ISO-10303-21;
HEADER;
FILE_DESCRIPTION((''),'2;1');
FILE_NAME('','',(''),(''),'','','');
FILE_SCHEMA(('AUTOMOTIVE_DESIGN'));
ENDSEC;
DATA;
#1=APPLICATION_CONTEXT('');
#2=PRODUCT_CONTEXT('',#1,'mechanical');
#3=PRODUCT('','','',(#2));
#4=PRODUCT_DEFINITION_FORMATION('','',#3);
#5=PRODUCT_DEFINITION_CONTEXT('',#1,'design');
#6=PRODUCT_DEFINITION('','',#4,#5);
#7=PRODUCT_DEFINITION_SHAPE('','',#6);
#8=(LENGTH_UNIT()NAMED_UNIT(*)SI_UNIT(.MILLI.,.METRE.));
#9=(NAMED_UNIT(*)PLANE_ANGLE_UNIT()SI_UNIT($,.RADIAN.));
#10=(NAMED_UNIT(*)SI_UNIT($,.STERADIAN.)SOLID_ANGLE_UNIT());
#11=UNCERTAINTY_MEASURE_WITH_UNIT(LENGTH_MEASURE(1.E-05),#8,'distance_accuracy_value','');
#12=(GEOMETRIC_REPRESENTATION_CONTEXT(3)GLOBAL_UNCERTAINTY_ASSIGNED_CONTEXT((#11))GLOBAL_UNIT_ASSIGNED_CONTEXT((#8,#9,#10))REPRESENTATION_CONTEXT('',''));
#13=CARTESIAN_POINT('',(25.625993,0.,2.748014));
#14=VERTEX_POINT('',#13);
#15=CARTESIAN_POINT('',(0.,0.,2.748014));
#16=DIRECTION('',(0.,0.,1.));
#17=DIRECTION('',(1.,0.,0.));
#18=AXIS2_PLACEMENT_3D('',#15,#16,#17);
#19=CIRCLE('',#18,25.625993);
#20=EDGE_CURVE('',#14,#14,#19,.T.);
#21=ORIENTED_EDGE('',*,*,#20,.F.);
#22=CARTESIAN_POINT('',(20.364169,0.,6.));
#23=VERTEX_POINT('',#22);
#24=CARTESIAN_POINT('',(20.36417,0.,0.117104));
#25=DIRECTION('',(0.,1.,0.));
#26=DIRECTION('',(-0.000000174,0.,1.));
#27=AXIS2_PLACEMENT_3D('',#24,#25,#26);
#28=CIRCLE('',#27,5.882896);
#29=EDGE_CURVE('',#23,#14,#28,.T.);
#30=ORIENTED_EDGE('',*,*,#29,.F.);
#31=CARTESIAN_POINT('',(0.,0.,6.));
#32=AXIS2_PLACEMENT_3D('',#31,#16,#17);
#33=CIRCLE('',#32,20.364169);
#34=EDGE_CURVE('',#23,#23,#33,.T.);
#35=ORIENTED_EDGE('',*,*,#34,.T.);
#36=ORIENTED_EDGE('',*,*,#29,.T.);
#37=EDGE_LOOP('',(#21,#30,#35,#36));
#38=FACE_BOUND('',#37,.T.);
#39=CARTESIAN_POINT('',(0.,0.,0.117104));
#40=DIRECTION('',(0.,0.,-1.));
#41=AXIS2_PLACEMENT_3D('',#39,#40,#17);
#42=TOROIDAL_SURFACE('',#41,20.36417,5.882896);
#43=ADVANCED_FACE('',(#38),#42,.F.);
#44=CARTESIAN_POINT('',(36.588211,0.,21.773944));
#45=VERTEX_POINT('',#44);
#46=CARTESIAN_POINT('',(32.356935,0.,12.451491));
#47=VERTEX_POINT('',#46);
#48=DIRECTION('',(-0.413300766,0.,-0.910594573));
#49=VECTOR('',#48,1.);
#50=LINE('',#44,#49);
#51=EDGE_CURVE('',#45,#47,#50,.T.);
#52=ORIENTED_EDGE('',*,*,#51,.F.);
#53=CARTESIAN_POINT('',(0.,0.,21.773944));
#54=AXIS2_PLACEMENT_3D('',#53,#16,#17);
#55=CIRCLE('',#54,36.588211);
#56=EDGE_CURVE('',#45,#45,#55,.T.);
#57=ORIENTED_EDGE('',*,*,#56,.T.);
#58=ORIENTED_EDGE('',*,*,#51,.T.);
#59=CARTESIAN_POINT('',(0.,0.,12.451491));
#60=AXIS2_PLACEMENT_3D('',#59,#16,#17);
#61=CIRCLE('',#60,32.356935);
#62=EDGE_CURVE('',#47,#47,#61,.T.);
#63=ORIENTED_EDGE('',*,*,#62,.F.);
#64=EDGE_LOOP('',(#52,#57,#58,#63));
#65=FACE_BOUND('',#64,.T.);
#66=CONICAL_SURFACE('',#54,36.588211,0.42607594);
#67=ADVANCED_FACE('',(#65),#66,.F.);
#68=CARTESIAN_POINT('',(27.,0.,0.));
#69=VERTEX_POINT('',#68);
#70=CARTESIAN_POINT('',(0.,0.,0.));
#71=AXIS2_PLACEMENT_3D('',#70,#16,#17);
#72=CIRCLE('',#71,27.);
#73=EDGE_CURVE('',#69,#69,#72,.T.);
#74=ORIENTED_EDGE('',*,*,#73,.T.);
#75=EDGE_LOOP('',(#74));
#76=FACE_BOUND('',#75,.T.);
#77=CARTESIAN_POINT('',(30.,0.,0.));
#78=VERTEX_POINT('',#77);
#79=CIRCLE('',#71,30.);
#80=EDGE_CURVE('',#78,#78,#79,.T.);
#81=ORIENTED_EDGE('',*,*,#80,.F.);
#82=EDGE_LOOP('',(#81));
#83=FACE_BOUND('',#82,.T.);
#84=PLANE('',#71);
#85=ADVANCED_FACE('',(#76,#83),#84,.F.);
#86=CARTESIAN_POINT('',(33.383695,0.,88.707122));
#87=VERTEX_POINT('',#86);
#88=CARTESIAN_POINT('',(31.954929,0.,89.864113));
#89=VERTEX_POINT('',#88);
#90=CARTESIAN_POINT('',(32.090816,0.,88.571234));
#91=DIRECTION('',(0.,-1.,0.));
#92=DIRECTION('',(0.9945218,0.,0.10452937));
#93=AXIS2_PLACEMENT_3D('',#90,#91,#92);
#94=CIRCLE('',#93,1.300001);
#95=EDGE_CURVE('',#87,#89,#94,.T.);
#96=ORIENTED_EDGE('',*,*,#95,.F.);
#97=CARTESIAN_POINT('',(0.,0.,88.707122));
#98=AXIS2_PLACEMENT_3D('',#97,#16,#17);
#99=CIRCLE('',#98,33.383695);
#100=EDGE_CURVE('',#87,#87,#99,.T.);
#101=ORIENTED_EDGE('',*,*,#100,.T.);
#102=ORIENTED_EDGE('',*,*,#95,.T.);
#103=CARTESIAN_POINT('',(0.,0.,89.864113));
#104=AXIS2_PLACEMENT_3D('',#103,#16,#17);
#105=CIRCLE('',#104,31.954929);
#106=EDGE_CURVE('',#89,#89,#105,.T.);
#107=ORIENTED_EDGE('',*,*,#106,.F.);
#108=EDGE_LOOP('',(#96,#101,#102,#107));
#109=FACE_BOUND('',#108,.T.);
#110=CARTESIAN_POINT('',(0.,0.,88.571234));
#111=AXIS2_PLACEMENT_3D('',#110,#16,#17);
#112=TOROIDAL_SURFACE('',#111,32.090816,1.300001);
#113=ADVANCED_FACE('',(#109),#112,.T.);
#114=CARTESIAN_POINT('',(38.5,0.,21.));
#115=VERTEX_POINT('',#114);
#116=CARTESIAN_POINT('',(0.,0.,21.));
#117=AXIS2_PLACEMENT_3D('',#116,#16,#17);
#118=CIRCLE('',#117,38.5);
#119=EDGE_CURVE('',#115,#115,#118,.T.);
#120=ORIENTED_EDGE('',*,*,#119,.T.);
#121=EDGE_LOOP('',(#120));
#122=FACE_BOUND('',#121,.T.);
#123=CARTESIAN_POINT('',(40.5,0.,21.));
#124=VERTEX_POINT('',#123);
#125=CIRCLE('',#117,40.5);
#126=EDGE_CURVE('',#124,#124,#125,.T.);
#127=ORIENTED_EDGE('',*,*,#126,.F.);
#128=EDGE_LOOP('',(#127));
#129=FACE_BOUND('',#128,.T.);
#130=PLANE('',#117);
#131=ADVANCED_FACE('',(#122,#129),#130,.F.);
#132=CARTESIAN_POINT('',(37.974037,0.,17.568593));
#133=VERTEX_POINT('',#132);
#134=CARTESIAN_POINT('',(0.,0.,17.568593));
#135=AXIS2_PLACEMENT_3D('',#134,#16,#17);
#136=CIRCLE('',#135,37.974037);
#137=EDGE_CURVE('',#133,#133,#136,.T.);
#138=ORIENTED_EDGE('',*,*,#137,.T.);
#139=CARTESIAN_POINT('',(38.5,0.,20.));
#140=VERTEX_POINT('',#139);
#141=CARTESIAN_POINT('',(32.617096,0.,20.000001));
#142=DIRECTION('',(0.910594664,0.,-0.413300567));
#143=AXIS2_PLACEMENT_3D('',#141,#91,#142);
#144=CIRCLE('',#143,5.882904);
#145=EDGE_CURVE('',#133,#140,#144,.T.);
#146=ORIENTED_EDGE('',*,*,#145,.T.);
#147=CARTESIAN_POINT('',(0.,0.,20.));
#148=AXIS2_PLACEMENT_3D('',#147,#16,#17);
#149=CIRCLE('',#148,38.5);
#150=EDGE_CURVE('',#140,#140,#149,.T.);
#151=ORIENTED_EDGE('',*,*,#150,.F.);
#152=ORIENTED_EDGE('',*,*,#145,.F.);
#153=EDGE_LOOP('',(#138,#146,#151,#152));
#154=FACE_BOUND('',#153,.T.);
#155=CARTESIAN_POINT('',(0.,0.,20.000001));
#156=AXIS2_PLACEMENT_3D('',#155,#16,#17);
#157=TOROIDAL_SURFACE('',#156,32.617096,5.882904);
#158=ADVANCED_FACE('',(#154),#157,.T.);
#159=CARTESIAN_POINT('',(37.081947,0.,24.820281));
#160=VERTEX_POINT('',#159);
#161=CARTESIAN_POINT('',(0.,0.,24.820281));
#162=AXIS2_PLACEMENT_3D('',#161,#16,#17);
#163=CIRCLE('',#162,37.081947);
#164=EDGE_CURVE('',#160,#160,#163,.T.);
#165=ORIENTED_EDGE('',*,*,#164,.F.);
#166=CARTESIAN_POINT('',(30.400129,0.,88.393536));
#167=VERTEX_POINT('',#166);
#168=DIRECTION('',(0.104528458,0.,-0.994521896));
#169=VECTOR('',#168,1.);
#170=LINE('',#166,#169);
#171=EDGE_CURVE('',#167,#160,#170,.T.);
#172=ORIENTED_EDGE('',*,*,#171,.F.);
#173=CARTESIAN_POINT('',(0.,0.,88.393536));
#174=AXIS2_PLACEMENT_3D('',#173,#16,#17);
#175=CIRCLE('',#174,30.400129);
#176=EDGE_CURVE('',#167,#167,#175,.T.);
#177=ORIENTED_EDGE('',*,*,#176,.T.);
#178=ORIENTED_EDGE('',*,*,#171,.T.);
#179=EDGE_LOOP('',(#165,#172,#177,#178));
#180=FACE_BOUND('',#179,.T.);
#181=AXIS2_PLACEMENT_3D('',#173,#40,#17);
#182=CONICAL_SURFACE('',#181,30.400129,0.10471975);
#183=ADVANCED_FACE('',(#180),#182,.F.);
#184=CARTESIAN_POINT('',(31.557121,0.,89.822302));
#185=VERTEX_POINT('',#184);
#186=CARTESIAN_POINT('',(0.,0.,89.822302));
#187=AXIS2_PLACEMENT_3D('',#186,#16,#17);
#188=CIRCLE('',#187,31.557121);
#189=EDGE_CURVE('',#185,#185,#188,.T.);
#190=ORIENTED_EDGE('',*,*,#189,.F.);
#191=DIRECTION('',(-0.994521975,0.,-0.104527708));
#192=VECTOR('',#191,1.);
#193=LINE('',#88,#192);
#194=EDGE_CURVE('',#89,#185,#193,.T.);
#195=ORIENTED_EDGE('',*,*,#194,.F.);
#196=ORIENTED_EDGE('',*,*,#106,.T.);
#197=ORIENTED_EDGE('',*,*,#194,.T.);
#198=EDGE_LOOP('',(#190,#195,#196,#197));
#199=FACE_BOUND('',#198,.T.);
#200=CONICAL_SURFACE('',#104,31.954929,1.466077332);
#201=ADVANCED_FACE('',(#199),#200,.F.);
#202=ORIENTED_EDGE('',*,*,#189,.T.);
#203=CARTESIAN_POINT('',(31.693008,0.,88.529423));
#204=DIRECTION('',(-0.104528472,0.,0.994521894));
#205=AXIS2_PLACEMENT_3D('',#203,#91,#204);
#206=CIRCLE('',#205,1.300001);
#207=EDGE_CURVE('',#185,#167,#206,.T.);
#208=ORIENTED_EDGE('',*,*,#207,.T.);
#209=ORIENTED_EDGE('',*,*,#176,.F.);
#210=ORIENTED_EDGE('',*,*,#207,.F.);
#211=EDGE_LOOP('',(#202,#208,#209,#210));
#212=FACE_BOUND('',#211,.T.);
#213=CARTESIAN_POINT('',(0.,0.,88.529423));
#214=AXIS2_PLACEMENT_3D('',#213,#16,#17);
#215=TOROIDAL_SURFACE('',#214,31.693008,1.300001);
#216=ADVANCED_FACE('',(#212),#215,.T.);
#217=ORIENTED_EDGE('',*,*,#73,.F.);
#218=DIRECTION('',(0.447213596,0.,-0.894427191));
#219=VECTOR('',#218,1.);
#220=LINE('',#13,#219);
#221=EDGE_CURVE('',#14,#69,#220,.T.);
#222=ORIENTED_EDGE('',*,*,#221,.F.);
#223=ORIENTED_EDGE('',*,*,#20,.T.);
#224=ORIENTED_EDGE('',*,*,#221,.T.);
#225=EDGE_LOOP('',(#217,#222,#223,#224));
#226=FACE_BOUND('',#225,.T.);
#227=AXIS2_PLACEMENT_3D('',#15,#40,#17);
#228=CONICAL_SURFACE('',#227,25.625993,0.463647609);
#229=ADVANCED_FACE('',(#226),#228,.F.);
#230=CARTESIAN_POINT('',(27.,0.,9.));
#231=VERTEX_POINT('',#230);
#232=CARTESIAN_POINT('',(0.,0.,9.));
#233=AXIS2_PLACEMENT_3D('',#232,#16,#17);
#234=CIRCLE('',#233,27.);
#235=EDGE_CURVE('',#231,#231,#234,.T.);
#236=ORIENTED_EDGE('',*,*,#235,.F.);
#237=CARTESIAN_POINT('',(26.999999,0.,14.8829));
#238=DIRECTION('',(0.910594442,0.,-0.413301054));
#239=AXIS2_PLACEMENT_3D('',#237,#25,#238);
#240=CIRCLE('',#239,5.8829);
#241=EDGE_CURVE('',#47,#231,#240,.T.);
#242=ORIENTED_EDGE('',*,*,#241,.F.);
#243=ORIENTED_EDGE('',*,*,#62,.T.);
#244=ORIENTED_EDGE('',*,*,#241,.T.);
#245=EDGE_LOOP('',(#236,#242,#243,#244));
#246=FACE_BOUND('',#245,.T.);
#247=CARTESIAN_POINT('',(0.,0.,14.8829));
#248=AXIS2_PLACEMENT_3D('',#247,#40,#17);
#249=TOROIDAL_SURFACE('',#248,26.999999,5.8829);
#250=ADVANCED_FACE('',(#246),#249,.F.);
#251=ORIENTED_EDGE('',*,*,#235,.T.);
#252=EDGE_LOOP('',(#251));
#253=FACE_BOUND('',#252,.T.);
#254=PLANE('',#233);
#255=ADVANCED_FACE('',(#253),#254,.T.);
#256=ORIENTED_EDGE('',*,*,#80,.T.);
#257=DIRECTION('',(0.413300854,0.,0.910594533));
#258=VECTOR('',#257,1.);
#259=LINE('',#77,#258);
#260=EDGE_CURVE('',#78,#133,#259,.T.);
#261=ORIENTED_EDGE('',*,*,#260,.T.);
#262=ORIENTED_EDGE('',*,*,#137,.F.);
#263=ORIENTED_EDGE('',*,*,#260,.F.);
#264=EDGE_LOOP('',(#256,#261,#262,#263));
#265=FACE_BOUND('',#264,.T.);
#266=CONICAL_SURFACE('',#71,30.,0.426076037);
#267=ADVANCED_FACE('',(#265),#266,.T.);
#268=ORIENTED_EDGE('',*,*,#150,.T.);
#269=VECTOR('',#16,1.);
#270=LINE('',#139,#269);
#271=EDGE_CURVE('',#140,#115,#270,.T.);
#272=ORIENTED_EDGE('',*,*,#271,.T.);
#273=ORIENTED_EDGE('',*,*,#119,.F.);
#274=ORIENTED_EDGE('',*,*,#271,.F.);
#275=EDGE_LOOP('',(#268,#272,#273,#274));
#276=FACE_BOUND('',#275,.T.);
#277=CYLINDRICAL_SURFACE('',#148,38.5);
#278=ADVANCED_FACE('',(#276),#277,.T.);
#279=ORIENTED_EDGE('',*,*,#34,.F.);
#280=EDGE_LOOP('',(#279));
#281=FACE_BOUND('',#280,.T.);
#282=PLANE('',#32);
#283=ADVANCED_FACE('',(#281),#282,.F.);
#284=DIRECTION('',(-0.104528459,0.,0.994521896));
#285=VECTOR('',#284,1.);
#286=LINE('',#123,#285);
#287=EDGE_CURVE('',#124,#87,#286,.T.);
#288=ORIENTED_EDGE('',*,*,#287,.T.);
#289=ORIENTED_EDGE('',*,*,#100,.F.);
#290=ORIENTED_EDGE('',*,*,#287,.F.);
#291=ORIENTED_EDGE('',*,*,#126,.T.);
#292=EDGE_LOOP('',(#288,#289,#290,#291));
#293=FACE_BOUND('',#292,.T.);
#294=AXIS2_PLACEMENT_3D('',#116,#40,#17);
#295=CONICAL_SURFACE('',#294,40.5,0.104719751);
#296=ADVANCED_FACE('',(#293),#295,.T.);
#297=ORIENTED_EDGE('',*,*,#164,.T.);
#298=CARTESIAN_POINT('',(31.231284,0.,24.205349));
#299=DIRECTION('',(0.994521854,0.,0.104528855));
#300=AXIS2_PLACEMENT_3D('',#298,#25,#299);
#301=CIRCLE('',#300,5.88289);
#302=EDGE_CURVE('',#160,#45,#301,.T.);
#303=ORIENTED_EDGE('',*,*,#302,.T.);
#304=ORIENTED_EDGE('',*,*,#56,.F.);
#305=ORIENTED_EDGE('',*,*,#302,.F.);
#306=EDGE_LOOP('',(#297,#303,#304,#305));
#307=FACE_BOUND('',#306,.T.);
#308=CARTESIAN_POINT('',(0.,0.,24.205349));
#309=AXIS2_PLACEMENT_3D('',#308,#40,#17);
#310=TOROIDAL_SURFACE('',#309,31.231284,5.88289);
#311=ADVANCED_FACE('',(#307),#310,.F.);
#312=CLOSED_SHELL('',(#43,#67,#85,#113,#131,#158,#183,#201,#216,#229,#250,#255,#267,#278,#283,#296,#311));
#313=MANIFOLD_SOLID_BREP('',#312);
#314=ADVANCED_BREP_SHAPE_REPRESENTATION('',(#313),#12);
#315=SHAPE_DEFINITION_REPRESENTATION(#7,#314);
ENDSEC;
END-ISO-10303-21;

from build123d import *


with BuildPart() as f1:
    # F0 (on Front) → F1 (revolve)
    with BuildSketch(Plane.XZ):
        with BuildLine():
            Line((0, 9), (0, 6))
            Line((0, 6), (20.364169, 6))
            ThreePointArc((20.364169, 6), (23.456992, 5.121394), (25.625993, 2.748014))
            Line((25.625993, 2.748014), (27, 0))
            Line((27, 0), (30, 0))
            Line((30, 0), (37.974037, 17.568593))
            ThreePointArc((37.974037, 17.568593), (38.367006, 18.756178), (38.5, 20))
            Line((38.5, 20), (38.5, 21))
            Line((38.5, 21), (40.5, 21))
            Line((40.5, 21), (33.383695, 88.707122))
            ThreePointArc((33.383695, 88.707122), (32.908933, 89.581524), (31.954929, 89.864113))
            Line((31.954929, 89.864113), (31.557121, 89.822302))
            ThreePointArc((31.557121, 89.822302), (30.682718, 89.34754), (30.400129, 88.393536))
            Line((30.400129, 88.393536), (37.081947, 24.820281))
            ThreePointArc((37.081947, 24.820281), (37.038397, 23.26416), (36.588211, 21.773944))
            Line((36.588211, 21.773944), (32.356935, 12.451491))
            ThreePointArc((32.356935, 12.451491), (30.186281, 9.937587), (27, 9))
            Line((27, 9), (0, 9))
        make_face()
    revolve(axis=Axis((0, 0, 44.353561), (0, 0, 1)))


solid = f1.part
